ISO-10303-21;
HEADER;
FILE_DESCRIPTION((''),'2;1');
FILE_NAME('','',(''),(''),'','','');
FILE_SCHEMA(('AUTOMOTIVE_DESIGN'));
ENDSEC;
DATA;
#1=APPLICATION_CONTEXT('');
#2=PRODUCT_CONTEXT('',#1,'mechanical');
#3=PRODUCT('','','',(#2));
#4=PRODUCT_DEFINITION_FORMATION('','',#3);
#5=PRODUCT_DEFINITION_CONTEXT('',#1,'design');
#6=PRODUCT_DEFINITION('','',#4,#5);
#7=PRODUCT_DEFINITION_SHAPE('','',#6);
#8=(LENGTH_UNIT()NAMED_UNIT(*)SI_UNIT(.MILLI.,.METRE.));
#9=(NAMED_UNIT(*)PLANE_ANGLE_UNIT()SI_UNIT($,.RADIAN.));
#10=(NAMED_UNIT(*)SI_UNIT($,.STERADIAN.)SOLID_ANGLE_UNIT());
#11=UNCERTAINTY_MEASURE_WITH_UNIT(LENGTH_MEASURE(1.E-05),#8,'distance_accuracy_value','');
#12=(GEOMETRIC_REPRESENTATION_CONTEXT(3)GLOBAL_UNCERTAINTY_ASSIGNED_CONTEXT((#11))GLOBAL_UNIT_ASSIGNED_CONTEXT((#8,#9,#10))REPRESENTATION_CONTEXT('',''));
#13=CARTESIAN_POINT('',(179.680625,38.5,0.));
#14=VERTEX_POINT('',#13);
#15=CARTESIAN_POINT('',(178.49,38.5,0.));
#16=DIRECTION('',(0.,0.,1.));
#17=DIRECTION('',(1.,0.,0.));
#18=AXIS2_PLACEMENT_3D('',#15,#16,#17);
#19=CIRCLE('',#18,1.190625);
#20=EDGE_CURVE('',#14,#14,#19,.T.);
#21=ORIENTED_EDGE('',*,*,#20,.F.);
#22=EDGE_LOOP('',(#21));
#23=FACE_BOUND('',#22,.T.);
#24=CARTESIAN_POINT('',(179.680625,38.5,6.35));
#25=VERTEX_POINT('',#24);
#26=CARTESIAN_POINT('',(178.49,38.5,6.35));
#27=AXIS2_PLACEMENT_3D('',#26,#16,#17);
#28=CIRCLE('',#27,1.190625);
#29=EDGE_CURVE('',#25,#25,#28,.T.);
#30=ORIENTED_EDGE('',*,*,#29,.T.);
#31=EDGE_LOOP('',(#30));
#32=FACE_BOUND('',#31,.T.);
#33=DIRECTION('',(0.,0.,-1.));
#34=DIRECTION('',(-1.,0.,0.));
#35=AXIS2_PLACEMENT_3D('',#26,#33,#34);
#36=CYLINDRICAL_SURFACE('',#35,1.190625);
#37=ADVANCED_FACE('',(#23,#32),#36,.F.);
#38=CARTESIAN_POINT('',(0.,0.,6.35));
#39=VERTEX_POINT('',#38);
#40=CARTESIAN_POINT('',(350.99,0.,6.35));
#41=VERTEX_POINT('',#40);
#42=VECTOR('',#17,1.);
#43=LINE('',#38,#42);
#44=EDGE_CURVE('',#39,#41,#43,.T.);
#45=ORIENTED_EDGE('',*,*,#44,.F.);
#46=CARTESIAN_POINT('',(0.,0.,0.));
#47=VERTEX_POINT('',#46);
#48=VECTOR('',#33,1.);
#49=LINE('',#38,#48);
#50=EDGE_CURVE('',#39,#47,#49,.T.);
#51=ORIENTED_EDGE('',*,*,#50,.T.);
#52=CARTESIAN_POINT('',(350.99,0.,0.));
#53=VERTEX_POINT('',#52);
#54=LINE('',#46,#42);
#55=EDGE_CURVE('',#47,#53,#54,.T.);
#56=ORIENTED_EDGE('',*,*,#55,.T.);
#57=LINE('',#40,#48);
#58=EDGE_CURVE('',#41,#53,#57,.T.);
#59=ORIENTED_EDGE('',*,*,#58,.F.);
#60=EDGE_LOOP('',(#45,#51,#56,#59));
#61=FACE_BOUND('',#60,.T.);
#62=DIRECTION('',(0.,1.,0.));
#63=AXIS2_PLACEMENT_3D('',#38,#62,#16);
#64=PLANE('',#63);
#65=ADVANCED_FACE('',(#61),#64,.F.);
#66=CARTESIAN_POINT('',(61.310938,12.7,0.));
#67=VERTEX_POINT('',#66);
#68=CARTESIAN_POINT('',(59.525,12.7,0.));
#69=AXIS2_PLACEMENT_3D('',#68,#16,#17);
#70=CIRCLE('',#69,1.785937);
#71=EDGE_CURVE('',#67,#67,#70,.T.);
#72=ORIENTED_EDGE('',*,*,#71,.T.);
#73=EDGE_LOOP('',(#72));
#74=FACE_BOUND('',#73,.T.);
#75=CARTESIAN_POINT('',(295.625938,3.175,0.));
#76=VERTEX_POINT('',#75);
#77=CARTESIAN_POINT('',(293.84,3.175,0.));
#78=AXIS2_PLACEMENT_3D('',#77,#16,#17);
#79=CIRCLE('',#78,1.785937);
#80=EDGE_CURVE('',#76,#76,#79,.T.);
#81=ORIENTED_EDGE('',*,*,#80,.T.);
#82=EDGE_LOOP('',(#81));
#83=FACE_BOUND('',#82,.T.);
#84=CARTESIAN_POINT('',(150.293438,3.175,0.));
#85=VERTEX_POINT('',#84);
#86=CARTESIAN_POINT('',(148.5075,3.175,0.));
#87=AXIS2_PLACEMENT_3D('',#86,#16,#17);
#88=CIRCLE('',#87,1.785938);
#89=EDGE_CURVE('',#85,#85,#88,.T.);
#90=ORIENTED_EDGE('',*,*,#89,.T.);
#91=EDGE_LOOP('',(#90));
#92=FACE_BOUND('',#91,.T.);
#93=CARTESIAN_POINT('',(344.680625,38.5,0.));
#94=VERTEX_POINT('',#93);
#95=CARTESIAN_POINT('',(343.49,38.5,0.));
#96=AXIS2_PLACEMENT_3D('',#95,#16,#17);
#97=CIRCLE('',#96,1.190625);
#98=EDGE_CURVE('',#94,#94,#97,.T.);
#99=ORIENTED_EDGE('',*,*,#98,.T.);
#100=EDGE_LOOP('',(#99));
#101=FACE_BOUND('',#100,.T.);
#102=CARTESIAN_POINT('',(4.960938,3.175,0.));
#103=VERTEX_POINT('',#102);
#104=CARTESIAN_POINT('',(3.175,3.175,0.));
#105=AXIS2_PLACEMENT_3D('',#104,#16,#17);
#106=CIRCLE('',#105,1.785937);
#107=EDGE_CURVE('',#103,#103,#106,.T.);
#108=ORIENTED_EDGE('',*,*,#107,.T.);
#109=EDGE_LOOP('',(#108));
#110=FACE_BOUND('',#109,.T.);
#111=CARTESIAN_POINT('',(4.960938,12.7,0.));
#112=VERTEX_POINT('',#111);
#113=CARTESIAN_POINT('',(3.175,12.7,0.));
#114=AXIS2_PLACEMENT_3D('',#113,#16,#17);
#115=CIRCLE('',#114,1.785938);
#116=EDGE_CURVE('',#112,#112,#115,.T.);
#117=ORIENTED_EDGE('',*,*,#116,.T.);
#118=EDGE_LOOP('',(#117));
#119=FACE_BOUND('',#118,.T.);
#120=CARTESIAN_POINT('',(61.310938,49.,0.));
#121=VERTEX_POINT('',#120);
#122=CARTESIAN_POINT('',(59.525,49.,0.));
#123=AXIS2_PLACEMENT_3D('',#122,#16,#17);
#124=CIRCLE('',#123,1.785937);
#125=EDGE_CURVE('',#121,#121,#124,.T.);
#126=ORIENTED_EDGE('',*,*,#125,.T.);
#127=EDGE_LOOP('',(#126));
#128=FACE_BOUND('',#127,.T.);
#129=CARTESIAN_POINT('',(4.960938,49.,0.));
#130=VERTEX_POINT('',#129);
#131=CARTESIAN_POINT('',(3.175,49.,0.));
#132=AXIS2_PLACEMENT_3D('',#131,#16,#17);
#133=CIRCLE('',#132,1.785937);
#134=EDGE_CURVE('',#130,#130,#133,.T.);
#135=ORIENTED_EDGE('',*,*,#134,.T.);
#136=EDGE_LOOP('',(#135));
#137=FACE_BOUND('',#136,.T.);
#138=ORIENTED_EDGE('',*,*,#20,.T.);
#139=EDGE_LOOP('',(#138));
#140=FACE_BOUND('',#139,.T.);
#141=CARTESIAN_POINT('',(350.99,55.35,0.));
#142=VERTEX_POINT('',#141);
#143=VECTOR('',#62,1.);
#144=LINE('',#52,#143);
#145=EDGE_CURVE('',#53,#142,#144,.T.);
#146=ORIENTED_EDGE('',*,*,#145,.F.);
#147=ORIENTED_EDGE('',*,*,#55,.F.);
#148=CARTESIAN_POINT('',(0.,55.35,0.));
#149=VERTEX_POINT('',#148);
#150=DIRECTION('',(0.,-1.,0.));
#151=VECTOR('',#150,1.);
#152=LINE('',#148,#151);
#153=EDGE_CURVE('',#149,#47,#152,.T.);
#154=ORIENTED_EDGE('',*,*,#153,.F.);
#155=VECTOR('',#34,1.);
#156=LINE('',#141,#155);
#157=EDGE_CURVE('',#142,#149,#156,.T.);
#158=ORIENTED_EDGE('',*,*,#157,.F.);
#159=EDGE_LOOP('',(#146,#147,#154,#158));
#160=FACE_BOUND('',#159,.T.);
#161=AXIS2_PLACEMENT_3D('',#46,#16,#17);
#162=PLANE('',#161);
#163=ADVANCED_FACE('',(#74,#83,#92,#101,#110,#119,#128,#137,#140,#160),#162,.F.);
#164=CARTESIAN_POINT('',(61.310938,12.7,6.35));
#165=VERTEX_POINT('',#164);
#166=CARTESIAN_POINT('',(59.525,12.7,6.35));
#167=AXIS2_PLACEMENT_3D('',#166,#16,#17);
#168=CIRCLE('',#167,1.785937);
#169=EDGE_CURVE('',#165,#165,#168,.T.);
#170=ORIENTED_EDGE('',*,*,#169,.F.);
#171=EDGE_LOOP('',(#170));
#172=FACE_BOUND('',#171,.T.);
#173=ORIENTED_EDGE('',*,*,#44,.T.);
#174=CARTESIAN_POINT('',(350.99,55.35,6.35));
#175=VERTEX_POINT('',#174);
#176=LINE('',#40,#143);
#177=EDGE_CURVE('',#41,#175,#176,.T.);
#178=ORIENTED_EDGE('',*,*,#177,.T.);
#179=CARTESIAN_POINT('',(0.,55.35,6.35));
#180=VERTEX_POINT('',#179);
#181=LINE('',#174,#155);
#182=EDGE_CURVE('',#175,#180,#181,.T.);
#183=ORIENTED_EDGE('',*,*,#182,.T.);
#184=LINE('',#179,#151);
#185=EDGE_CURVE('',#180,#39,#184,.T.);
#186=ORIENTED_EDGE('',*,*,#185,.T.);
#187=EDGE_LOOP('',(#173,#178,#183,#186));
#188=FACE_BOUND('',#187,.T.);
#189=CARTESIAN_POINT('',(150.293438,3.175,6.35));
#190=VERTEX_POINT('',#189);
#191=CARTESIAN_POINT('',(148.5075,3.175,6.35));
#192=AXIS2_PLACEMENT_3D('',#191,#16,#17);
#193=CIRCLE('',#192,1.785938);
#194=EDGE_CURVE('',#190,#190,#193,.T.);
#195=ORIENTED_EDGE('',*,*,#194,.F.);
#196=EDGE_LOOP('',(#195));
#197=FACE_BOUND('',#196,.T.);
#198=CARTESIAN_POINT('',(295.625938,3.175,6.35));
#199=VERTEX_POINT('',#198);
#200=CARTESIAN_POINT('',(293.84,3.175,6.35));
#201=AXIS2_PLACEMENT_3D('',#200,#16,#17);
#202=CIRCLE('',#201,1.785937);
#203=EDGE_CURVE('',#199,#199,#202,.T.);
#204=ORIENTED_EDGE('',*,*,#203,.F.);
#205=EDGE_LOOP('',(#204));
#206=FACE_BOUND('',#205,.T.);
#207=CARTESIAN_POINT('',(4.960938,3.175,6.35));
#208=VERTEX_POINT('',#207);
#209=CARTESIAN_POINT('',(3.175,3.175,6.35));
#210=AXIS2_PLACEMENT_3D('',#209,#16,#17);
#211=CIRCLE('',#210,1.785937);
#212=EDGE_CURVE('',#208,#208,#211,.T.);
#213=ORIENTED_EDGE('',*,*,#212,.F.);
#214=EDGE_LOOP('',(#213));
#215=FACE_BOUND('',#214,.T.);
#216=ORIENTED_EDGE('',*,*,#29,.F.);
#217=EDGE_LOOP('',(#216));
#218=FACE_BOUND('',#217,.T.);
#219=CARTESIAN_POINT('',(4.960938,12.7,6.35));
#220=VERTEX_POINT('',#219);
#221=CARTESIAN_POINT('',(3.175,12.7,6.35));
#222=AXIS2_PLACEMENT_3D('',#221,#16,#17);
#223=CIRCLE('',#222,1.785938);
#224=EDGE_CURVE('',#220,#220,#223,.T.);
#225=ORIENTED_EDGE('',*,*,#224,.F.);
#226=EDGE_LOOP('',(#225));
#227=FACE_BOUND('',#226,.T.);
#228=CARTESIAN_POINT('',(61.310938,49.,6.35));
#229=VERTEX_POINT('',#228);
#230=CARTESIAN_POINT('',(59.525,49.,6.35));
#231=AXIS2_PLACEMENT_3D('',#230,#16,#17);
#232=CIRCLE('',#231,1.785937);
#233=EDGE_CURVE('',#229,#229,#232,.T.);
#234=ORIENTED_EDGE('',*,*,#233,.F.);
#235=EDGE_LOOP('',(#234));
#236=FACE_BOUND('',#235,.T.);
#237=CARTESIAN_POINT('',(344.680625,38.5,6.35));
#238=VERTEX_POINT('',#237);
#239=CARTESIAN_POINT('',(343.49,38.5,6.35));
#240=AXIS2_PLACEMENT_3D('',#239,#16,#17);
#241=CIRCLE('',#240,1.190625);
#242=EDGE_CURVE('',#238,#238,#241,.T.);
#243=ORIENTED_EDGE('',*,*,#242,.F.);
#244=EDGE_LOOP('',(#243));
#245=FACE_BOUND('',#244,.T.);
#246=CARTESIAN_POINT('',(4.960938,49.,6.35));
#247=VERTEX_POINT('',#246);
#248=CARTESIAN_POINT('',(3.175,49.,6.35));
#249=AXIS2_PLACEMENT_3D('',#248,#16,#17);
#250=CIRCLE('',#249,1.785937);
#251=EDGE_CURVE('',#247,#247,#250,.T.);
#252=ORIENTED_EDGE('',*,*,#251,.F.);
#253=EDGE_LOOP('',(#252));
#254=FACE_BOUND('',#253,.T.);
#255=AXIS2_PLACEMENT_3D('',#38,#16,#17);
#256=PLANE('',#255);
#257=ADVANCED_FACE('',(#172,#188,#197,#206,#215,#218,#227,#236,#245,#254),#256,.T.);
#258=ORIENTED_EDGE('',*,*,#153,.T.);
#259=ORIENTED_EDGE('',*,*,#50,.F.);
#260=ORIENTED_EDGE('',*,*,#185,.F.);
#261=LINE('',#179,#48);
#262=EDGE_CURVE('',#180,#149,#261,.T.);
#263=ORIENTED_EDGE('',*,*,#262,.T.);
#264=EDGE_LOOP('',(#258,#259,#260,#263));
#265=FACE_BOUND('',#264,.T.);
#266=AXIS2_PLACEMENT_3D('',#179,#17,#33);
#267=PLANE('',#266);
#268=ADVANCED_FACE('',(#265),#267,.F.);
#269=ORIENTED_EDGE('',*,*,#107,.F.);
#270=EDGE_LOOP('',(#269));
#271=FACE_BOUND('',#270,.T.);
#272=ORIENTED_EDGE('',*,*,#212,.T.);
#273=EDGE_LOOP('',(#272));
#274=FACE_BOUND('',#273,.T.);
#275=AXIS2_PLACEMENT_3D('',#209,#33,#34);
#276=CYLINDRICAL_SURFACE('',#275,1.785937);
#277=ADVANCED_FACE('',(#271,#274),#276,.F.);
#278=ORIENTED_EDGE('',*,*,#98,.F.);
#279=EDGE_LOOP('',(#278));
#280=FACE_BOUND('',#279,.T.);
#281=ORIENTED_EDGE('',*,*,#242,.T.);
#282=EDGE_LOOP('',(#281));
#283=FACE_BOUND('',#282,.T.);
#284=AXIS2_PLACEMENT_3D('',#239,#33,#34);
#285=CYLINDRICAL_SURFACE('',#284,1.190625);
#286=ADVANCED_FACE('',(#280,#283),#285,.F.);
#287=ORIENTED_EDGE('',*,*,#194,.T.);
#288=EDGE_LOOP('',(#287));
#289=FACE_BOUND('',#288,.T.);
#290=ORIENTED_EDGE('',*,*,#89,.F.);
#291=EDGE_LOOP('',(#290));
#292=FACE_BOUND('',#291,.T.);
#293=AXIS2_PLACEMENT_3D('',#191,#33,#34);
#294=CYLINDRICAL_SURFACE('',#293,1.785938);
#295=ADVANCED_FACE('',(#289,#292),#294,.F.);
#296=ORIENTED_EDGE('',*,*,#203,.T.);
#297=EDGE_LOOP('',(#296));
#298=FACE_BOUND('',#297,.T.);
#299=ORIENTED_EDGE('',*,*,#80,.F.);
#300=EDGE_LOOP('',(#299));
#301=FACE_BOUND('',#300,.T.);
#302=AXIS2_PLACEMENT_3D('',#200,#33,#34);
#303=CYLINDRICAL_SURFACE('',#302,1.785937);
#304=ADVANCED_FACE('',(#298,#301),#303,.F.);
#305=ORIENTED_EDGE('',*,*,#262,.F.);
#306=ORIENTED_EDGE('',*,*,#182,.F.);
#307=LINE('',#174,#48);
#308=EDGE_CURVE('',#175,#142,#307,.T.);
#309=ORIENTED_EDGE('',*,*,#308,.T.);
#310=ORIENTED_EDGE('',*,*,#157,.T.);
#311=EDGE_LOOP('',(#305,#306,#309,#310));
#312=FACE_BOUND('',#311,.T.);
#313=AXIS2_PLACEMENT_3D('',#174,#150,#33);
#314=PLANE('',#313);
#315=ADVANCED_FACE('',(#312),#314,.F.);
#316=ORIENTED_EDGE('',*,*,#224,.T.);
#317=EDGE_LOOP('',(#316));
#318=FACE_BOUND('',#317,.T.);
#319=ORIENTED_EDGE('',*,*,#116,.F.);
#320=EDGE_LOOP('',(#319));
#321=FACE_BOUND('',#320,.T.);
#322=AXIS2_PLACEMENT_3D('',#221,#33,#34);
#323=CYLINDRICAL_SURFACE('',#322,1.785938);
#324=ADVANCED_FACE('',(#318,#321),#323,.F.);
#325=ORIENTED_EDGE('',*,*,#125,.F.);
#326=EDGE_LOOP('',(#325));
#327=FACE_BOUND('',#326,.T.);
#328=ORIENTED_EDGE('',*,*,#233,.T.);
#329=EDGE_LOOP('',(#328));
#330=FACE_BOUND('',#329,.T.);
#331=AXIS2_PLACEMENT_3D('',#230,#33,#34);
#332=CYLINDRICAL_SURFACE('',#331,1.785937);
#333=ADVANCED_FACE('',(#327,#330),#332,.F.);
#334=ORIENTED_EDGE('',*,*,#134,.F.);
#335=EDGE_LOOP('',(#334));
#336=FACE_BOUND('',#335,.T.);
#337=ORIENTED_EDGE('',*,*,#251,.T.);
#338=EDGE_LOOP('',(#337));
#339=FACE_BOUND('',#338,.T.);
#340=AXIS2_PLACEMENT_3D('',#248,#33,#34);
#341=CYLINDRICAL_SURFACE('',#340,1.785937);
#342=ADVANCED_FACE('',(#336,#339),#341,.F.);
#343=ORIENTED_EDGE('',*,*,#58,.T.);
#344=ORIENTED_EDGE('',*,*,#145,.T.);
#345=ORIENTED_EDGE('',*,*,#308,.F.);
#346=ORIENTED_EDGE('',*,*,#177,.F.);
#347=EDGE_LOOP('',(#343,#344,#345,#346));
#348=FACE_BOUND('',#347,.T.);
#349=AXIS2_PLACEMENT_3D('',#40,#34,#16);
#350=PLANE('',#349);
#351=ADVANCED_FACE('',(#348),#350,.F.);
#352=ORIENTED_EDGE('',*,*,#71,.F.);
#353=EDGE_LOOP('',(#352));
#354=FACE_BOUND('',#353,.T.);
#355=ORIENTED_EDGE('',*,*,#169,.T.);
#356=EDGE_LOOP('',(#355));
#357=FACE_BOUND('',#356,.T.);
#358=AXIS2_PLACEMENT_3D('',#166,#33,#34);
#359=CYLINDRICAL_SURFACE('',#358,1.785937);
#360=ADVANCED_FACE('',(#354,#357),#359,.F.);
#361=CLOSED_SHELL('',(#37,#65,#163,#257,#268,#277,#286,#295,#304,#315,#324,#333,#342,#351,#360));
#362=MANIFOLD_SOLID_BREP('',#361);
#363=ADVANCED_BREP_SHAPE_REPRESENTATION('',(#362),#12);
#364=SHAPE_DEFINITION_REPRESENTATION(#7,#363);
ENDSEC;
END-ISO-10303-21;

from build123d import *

# Parameters (mm, degrees)
SKETCH1_W           = 350.99
SKETCH1_H           = 55.35
SKETCH1_R           = 1.7859375
SKETCH1_R_2         = 1.190625
BOSS_EXTRUDE1_DEPTH = 6.35


with BuildPart() as part:
    # Sketch1 → Boss-Extrude1 (new body)
    with BuildSketch(Plane.XY):
        with Locations((175.495, 27.675)):
            Rectangle(SKETCH1_W, SKETCH1_H)
        with Locations((148.5075, 3.175)):
            Circle(SKETCH1_R, mode=Mode.SUBTRACT)
        with Locations((3.175, 12.7)):
            Circle(SKETCH1_R, mode=Mode.SUBTRACT)
        with Locations((3.175, 49)):
            Circle(SKETCH1_R, mode=Mode.SUBTRACT)
        with Locations((3.175, 3.175)):
            Circle(SKETCH1_R, mode=Mode.SUBTRACT)
        with Locations((178.49, 38.5)):
            Circle(SKETCH1_R_2, mode=Mode.SUBTRACT)
        with Locations((343.49, 38.5)):
            Circle(SKETCH1_R_2, mode=Mode.SUBTRACT)
        with Locations((293.84, 3.175)):
            Circle(SKETCH1_R, mode=Mode.SUBTRACT)
        with Locations((59.525, 12.7)):
            Circle(SKETCH1_R, mode=Mode.SUBTRACT)
        with Locations((59.525, 49)):
            Circle(SKETCH1_R, mode=Mode.SUBTRACT)
    extrude(amount=BOSS_EXTRUDE1_DEPTH)


solid = part.part
